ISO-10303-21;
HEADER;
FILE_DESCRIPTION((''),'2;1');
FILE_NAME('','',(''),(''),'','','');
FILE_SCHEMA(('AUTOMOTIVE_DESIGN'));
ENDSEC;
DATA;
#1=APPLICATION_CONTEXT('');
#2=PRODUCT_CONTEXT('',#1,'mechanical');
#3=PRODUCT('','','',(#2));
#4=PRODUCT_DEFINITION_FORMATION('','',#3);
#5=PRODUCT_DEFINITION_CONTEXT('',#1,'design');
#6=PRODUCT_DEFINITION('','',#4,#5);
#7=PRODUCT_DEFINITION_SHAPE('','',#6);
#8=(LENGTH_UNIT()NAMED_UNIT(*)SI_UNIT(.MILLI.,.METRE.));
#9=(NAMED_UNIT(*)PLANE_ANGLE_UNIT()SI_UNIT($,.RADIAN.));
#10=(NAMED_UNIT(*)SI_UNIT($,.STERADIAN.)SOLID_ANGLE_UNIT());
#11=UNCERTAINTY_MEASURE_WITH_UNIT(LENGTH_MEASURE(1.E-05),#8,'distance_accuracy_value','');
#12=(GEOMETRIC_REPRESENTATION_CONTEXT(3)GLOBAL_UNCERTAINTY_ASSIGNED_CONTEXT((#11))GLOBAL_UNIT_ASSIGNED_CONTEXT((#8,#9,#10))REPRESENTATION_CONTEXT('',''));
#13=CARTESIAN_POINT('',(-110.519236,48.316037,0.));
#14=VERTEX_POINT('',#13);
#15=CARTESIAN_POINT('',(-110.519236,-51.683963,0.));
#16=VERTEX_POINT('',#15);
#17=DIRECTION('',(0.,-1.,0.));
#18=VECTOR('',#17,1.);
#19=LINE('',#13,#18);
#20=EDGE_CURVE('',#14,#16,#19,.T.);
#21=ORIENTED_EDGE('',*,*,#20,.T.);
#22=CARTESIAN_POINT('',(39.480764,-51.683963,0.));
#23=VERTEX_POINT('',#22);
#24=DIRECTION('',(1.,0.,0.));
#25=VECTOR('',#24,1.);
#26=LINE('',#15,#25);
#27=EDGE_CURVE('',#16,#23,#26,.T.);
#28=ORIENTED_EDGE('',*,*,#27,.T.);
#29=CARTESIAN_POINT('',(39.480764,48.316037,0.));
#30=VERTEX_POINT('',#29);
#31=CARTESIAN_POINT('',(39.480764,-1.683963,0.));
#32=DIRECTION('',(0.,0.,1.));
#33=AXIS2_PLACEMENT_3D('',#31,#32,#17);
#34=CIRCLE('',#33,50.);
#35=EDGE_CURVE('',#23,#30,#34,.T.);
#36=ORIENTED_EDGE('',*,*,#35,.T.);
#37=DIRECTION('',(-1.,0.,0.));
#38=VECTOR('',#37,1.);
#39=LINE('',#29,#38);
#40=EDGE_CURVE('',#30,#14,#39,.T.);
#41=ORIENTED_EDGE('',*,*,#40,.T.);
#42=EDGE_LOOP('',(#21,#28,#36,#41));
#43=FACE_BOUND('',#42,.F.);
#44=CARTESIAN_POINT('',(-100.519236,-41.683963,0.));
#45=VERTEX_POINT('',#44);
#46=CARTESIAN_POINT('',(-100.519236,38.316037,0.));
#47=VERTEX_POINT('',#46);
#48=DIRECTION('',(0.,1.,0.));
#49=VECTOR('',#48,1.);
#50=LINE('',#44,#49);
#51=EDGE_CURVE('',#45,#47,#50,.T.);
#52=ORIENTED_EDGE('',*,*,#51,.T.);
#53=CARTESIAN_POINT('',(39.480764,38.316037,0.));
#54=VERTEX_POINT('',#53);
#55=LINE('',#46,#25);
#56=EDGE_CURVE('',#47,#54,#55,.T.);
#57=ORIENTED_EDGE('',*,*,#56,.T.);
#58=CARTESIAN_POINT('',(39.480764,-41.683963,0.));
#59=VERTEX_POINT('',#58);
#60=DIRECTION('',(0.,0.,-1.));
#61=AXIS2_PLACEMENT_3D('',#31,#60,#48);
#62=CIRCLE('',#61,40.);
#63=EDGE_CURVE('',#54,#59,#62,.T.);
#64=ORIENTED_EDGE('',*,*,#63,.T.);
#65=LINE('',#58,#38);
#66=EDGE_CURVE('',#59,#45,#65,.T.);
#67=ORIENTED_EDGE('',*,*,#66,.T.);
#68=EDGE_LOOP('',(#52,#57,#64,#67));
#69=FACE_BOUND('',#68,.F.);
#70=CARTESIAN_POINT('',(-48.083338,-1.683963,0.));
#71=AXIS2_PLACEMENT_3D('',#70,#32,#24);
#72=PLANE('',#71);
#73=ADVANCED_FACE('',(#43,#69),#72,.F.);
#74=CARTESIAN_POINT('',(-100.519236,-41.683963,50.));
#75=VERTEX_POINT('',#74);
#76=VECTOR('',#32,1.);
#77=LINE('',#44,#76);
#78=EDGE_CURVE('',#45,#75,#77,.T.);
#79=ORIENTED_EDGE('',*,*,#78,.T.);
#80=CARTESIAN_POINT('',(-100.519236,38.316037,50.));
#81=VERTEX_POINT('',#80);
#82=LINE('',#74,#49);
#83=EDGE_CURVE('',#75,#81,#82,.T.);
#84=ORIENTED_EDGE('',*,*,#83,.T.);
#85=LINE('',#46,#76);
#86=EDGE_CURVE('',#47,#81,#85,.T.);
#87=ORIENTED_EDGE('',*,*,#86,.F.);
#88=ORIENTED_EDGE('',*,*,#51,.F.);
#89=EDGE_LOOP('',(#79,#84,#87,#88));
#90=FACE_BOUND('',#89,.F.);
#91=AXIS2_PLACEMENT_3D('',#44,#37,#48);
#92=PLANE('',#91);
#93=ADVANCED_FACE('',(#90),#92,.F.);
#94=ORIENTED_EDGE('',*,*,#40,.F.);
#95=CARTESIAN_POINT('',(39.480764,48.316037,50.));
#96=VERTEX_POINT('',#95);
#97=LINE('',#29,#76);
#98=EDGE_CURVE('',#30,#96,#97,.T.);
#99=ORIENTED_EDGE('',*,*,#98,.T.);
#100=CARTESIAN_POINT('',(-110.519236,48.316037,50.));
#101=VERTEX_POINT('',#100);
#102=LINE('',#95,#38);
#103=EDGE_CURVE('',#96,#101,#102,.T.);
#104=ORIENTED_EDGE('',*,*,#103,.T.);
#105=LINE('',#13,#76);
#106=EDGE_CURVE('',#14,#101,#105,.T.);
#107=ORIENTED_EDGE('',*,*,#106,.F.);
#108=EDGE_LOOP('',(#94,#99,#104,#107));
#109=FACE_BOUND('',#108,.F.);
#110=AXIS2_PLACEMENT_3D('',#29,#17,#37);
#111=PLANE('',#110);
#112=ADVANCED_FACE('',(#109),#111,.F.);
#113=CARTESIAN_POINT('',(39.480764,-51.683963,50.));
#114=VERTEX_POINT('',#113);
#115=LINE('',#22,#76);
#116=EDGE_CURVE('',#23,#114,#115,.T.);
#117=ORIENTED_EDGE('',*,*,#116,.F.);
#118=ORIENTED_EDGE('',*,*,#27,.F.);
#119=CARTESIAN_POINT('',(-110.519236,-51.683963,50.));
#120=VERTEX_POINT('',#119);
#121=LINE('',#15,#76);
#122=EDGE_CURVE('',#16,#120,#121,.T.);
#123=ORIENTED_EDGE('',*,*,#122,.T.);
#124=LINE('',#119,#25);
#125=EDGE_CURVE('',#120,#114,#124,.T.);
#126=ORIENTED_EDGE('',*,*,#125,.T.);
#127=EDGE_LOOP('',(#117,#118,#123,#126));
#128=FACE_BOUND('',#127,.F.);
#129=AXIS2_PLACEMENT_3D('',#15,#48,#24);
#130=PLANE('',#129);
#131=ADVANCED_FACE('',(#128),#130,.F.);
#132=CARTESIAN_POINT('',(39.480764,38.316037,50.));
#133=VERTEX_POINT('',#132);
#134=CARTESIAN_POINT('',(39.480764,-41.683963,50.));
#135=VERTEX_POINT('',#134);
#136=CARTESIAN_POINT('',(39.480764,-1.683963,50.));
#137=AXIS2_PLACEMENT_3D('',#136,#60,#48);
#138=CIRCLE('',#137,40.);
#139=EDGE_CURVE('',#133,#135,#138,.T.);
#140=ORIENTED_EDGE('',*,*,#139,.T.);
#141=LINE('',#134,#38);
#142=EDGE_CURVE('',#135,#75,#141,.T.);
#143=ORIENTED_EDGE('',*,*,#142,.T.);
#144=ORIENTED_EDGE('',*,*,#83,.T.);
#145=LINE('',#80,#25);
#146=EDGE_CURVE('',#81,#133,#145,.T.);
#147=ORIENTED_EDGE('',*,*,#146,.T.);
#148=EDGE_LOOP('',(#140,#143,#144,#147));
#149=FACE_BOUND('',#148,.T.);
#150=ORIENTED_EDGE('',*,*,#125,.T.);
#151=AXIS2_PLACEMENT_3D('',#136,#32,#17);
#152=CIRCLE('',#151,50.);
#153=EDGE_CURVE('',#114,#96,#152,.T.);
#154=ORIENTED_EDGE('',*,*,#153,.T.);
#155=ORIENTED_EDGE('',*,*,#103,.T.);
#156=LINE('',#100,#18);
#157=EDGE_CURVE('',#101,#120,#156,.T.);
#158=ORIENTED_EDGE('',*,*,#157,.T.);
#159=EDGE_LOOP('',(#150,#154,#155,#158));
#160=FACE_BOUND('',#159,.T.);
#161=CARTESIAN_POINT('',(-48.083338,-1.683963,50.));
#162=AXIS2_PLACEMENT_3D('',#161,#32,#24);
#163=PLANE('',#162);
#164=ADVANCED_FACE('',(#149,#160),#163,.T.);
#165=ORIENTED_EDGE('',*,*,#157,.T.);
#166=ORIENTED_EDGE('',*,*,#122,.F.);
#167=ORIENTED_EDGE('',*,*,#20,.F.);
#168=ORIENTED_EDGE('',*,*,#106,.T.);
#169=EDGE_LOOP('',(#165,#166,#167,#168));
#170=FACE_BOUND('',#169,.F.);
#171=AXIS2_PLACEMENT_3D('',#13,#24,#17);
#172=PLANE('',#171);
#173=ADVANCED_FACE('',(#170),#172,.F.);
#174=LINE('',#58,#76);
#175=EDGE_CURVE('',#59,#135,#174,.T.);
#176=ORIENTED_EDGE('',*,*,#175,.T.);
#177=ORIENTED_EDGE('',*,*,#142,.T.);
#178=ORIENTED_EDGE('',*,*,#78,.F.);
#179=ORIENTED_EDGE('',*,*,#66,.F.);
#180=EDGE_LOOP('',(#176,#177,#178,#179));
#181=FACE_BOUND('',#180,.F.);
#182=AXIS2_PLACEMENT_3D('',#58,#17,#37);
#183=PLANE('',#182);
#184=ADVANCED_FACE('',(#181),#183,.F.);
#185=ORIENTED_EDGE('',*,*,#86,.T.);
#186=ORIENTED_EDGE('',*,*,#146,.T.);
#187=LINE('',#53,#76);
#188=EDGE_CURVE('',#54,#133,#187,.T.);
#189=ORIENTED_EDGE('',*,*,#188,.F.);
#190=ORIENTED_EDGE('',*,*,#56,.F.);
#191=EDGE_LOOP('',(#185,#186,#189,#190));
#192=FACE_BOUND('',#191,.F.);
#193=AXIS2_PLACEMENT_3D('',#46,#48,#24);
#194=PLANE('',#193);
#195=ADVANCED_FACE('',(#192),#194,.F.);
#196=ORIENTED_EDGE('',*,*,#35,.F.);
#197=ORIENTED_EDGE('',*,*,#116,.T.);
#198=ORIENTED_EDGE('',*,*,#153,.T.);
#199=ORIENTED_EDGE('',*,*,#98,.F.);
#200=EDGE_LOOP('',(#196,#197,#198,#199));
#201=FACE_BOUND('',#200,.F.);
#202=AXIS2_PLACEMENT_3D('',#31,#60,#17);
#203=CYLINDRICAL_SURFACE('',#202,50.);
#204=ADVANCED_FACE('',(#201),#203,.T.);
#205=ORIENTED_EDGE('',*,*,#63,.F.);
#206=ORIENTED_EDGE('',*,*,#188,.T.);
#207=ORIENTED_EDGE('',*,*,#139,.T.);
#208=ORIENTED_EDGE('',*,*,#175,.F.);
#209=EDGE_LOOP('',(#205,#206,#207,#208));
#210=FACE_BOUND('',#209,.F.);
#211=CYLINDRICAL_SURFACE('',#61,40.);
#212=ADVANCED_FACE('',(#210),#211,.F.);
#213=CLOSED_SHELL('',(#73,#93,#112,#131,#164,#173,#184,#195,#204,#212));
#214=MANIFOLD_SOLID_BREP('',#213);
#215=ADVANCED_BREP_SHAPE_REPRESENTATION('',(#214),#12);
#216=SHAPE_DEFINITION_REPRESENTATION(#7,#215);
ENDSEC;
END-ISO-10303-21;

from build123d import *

# Parameters (mm, degrees)
F1_DEPTH = 50


with BuildPart() as f1:
    # F0 (on Top) → F1 (new body)
    with BuildSketch(Plane.XY):
        Polygon((39.4807644188, 48.3160374686), (-110.5192355812, 48.3160374686), (-110.5192355812, -51.6839625314), (39.4807644188, -51.6839625314), (39.4807644188, -41.6839625314), (-100.5192355812, -41.6839625314), (-100.5192355812, 38.3160374686), (39.4807644188, 38.3160374686), align=None)
        with BuildLine():
            ThreePointArc((39.4807644188, -51.6839625314), (89.4807644188, -1.6839625314), (39.4807644188, 48.3160374686))
            Line((39.4807644188, 48.3160374686), (39.4807644188, 38.3160374686))
            ThreePointArc((39.4807644188, 38.3160374686), (79.4807644188, -1.6839625314), (39.4807644188, -41.6839625314))
            Line((39.4807644188, -41.6839625314), (39.4807644188, -51.6839625314))
        make_face()
    extrude(amount=F1_DEPTH)


solid = f1.part
